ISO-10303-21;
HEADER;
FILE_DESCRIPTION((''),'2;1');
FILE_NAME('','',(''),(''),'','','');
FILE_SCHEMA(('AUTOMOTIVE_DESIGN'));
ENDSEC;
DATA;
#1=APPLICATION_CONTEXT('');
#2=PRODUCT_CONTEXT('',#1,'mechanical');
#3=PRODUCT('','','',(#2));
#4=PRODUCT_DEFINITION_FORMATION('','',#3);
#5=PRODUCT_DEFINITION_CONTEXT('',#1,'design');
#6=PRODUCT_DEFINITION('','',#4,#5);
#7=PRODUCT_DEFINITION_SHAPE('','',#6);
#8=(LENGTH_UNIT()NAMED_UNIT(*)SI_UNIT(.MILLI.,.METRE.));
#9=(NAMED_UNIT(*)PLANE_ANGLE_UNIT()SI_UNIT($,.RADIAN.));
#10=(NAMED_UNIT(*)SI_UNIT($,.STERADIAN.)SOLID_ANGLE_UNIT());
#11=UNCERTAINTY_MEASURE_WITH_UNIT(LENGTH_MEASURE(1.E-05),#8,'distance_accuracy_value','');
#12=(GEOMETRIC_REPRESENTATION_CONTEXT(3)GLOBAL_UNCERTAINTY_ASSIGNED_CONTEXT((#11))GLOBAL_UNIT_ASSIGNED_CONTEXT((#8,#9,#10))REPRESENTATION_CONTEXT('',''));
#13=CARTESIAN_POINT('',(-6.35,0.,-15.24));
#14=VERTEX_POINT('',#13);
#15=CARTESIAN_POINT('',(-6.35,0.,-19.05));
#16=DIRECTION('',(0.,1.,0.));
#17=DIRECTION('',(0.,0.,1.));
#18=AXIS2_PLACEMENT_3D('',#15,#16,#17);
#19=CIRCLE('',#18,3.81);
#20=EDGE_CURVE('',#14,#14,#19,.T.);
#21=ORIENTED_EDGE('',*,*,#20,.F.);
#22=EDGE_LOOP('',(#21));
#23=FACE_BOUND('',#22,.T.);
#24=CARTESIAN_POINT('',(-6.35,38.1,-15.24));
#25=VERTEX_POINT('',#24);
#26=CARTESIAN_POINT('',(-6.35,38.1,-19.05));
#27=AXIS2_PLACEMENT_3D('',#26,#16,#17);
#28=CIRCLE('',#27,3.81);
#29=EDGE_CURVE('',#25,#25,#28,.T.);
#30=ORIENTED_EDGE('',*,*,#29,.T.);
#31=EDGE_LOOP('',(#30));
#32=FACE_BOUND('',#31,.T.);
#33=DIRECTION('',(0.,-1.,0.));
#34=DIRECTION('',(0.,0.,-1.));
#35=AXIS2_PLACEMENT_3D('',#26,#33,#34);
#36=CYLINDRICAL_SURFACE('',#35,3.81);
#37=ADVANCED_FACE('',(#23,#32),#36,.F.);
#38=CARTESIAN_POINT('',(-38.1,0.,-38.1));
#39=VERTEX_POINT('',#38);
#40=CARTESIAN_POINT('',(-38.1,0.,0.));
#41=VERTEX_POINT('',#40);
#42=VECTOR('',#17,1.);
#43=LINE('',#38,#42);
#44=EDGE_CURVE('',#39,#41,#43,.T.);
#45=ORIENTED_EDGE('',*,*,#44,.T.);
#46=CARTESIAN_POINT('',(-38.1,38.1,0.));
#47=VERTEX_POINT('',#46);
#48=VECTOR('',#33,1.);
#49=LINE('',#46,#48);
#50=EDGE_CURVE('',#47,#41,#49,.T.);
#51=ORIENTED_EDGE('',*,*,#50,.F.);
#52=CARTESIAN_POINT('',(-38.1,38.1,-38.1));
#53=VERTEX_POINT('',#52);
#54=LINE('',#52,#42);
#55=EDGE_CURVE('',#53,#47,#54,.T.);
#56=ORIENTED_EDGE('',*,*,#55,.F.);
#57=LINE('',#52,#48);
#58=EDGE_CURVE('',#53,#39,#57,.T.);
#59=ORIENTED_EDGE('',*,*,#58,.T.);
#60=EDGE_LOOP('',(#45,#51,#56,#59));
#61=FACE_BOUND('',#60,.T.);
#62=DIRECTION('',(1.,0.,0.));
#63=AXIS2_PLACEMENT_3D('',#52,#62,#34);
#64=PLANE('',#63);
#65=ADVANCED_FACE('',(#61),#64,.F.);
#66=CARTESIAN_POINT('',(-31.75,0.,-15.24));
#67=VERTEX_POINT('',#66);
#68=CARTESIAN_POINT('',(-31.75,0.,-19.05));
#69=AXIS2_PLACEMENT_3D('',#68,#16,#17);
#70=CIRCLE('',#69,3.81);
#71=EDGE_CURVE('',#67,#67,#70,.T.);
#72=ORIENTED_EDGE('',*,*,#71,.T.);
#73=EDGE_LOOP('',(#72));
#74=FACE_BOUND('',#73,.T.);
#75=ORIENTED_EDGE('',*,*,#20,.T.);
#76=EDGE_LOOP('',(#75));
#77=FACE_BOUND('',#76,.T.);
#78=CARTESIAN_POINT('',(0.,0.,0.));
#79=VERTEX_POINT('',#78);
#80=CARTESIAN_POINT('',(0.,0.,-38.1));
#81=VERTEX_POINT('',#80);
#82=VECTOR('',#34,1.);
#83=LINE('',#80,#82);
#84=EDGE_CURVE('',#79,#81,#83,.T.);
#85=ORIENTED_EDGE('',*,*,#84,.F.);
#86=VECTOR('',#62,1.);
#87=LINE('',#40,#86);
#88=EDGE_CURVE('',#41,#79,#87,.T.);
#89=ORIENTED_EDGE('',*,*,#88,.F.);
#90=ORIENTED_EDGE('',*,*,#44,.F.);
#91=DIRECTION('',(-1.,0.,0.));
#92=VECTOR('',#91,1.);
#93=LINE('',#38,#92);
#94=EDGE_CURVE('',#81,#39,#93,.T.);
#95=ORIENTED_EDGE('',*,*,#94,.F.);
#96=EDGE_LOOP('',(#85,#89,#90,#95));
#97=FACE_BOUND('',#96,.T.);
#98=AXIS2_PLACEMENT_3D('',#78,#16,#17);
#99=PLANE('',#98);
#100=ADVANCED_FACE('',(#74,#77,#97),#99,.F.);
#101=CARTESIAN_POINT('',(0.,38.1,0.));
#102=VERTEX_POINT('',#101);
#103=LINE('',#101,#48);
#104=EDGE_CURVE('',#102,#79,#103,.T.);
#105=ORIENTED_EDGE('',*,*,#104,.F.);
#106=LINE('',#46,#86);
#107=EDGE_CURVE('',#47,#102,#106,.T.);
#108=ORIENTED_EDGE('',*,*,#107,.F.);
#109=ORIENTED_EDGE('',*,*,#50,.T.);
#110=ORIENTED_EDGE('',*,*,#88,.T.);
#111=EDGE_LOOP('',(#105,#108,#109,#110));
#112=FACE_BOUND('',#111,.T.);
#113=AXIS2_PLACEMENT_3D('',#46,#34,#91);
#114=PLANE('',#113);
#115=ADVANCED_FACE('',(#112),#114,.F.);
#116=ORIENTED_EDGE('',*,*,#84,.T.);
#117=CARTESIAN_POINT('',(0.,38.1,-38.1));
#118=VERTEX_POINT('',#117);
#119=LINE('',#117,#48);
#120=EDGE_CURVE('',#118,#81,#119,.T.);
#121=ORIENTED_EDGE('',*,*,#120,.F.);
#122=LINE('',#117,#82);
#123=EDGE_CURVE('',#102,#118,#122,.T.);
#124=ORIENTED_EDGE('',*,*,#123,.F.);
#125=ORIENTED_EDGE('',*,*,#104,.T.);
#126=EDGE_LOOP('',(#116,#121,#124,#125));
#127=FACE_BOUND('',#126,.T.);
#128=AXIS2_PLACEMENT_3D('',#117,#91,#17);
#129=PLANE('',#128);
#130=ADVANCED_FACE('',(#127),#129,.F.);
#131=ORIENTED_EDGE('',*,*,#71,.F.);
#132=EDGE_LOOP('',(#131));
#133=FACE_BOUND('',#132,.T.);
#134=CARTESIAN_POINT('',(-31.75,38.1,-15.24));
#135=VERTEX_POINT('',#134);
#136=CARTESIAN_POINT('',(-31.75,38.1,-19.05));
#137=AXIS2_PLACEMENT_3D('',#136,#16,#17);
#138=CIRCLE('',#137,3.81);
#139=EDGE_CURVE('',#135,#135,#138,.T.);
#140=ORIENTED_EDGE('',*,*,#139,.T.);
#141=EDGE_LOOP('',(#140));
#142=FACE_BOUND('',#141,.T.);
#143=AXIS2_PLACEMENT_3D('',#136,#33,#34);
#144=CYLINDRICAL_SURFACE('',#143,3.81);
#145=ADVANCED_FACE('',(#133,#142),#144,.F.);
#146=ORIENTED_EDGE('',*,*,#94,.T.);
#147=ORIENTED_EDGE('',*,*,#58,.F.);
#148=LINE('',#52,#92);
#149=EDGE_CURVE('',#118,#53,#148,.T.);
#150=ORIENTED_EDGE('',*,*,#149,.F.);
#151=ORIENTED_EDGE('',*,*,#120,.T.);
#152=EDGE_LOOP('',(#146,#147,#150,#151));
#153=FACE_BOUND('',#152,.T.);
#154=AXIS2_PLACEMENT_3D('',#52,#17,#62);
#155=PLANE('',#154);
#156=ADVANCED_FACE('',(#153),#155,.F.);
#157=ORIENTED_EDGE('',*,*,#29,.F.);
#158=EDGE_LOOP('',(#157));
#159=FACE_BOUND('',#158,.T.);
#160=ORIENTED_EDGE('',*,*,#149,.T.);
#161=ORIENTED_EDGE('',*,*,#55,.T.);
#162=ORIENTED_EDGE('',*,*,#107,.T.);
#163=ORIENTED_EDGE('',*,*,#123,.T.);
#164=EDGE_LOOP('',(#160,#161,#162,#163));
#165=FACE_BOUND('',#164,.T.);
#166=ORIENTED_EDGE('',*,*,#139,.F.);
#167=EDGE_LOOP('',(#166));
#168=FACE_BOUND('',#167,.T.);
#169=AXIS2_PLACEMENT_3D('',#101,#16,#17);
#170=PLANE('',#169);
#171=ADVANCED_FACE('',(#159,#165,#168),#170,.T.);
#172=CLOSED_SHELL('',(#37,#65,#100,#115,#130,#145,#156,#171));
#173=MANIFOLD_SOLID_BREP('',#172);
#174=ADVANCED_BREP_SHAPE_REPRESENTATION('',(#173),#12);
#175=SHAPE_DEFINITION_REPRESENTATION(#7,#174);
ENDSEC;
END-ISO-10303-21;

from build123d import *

# Parameters (mm, degrees)
SKETCH1_W           = 38.1
SKETCH1_H           = 38.1
SKETCH1_R           = 3.81
BOSS_EXTRUDE1_DEPTH = 38.1


with BuildPart() as part:
    # Sketch1 → Boss-Extrude1 (new body)
    with BuildSketch(Plane(origin=(0, 0, 0), x_dir=(1, 0, 0), z_dir=(0, 1, 0))):
        with Locations((-19.05, 19.05)):
            Rectangle(SKETCH1_W, SKETCH1_H)
        with Locations((-31.75, 19.05)):
            Circle(SKETCH1_R, mode=Mode.SUBTRACT)
        with Locations((-6.35, 19.05)):
            Circle(SKETCH1_R, mode=Mode.SUBTRACT)
    extrude(amount=BOSS_EXTRUDE1_DEPTH)


solid = part.part
